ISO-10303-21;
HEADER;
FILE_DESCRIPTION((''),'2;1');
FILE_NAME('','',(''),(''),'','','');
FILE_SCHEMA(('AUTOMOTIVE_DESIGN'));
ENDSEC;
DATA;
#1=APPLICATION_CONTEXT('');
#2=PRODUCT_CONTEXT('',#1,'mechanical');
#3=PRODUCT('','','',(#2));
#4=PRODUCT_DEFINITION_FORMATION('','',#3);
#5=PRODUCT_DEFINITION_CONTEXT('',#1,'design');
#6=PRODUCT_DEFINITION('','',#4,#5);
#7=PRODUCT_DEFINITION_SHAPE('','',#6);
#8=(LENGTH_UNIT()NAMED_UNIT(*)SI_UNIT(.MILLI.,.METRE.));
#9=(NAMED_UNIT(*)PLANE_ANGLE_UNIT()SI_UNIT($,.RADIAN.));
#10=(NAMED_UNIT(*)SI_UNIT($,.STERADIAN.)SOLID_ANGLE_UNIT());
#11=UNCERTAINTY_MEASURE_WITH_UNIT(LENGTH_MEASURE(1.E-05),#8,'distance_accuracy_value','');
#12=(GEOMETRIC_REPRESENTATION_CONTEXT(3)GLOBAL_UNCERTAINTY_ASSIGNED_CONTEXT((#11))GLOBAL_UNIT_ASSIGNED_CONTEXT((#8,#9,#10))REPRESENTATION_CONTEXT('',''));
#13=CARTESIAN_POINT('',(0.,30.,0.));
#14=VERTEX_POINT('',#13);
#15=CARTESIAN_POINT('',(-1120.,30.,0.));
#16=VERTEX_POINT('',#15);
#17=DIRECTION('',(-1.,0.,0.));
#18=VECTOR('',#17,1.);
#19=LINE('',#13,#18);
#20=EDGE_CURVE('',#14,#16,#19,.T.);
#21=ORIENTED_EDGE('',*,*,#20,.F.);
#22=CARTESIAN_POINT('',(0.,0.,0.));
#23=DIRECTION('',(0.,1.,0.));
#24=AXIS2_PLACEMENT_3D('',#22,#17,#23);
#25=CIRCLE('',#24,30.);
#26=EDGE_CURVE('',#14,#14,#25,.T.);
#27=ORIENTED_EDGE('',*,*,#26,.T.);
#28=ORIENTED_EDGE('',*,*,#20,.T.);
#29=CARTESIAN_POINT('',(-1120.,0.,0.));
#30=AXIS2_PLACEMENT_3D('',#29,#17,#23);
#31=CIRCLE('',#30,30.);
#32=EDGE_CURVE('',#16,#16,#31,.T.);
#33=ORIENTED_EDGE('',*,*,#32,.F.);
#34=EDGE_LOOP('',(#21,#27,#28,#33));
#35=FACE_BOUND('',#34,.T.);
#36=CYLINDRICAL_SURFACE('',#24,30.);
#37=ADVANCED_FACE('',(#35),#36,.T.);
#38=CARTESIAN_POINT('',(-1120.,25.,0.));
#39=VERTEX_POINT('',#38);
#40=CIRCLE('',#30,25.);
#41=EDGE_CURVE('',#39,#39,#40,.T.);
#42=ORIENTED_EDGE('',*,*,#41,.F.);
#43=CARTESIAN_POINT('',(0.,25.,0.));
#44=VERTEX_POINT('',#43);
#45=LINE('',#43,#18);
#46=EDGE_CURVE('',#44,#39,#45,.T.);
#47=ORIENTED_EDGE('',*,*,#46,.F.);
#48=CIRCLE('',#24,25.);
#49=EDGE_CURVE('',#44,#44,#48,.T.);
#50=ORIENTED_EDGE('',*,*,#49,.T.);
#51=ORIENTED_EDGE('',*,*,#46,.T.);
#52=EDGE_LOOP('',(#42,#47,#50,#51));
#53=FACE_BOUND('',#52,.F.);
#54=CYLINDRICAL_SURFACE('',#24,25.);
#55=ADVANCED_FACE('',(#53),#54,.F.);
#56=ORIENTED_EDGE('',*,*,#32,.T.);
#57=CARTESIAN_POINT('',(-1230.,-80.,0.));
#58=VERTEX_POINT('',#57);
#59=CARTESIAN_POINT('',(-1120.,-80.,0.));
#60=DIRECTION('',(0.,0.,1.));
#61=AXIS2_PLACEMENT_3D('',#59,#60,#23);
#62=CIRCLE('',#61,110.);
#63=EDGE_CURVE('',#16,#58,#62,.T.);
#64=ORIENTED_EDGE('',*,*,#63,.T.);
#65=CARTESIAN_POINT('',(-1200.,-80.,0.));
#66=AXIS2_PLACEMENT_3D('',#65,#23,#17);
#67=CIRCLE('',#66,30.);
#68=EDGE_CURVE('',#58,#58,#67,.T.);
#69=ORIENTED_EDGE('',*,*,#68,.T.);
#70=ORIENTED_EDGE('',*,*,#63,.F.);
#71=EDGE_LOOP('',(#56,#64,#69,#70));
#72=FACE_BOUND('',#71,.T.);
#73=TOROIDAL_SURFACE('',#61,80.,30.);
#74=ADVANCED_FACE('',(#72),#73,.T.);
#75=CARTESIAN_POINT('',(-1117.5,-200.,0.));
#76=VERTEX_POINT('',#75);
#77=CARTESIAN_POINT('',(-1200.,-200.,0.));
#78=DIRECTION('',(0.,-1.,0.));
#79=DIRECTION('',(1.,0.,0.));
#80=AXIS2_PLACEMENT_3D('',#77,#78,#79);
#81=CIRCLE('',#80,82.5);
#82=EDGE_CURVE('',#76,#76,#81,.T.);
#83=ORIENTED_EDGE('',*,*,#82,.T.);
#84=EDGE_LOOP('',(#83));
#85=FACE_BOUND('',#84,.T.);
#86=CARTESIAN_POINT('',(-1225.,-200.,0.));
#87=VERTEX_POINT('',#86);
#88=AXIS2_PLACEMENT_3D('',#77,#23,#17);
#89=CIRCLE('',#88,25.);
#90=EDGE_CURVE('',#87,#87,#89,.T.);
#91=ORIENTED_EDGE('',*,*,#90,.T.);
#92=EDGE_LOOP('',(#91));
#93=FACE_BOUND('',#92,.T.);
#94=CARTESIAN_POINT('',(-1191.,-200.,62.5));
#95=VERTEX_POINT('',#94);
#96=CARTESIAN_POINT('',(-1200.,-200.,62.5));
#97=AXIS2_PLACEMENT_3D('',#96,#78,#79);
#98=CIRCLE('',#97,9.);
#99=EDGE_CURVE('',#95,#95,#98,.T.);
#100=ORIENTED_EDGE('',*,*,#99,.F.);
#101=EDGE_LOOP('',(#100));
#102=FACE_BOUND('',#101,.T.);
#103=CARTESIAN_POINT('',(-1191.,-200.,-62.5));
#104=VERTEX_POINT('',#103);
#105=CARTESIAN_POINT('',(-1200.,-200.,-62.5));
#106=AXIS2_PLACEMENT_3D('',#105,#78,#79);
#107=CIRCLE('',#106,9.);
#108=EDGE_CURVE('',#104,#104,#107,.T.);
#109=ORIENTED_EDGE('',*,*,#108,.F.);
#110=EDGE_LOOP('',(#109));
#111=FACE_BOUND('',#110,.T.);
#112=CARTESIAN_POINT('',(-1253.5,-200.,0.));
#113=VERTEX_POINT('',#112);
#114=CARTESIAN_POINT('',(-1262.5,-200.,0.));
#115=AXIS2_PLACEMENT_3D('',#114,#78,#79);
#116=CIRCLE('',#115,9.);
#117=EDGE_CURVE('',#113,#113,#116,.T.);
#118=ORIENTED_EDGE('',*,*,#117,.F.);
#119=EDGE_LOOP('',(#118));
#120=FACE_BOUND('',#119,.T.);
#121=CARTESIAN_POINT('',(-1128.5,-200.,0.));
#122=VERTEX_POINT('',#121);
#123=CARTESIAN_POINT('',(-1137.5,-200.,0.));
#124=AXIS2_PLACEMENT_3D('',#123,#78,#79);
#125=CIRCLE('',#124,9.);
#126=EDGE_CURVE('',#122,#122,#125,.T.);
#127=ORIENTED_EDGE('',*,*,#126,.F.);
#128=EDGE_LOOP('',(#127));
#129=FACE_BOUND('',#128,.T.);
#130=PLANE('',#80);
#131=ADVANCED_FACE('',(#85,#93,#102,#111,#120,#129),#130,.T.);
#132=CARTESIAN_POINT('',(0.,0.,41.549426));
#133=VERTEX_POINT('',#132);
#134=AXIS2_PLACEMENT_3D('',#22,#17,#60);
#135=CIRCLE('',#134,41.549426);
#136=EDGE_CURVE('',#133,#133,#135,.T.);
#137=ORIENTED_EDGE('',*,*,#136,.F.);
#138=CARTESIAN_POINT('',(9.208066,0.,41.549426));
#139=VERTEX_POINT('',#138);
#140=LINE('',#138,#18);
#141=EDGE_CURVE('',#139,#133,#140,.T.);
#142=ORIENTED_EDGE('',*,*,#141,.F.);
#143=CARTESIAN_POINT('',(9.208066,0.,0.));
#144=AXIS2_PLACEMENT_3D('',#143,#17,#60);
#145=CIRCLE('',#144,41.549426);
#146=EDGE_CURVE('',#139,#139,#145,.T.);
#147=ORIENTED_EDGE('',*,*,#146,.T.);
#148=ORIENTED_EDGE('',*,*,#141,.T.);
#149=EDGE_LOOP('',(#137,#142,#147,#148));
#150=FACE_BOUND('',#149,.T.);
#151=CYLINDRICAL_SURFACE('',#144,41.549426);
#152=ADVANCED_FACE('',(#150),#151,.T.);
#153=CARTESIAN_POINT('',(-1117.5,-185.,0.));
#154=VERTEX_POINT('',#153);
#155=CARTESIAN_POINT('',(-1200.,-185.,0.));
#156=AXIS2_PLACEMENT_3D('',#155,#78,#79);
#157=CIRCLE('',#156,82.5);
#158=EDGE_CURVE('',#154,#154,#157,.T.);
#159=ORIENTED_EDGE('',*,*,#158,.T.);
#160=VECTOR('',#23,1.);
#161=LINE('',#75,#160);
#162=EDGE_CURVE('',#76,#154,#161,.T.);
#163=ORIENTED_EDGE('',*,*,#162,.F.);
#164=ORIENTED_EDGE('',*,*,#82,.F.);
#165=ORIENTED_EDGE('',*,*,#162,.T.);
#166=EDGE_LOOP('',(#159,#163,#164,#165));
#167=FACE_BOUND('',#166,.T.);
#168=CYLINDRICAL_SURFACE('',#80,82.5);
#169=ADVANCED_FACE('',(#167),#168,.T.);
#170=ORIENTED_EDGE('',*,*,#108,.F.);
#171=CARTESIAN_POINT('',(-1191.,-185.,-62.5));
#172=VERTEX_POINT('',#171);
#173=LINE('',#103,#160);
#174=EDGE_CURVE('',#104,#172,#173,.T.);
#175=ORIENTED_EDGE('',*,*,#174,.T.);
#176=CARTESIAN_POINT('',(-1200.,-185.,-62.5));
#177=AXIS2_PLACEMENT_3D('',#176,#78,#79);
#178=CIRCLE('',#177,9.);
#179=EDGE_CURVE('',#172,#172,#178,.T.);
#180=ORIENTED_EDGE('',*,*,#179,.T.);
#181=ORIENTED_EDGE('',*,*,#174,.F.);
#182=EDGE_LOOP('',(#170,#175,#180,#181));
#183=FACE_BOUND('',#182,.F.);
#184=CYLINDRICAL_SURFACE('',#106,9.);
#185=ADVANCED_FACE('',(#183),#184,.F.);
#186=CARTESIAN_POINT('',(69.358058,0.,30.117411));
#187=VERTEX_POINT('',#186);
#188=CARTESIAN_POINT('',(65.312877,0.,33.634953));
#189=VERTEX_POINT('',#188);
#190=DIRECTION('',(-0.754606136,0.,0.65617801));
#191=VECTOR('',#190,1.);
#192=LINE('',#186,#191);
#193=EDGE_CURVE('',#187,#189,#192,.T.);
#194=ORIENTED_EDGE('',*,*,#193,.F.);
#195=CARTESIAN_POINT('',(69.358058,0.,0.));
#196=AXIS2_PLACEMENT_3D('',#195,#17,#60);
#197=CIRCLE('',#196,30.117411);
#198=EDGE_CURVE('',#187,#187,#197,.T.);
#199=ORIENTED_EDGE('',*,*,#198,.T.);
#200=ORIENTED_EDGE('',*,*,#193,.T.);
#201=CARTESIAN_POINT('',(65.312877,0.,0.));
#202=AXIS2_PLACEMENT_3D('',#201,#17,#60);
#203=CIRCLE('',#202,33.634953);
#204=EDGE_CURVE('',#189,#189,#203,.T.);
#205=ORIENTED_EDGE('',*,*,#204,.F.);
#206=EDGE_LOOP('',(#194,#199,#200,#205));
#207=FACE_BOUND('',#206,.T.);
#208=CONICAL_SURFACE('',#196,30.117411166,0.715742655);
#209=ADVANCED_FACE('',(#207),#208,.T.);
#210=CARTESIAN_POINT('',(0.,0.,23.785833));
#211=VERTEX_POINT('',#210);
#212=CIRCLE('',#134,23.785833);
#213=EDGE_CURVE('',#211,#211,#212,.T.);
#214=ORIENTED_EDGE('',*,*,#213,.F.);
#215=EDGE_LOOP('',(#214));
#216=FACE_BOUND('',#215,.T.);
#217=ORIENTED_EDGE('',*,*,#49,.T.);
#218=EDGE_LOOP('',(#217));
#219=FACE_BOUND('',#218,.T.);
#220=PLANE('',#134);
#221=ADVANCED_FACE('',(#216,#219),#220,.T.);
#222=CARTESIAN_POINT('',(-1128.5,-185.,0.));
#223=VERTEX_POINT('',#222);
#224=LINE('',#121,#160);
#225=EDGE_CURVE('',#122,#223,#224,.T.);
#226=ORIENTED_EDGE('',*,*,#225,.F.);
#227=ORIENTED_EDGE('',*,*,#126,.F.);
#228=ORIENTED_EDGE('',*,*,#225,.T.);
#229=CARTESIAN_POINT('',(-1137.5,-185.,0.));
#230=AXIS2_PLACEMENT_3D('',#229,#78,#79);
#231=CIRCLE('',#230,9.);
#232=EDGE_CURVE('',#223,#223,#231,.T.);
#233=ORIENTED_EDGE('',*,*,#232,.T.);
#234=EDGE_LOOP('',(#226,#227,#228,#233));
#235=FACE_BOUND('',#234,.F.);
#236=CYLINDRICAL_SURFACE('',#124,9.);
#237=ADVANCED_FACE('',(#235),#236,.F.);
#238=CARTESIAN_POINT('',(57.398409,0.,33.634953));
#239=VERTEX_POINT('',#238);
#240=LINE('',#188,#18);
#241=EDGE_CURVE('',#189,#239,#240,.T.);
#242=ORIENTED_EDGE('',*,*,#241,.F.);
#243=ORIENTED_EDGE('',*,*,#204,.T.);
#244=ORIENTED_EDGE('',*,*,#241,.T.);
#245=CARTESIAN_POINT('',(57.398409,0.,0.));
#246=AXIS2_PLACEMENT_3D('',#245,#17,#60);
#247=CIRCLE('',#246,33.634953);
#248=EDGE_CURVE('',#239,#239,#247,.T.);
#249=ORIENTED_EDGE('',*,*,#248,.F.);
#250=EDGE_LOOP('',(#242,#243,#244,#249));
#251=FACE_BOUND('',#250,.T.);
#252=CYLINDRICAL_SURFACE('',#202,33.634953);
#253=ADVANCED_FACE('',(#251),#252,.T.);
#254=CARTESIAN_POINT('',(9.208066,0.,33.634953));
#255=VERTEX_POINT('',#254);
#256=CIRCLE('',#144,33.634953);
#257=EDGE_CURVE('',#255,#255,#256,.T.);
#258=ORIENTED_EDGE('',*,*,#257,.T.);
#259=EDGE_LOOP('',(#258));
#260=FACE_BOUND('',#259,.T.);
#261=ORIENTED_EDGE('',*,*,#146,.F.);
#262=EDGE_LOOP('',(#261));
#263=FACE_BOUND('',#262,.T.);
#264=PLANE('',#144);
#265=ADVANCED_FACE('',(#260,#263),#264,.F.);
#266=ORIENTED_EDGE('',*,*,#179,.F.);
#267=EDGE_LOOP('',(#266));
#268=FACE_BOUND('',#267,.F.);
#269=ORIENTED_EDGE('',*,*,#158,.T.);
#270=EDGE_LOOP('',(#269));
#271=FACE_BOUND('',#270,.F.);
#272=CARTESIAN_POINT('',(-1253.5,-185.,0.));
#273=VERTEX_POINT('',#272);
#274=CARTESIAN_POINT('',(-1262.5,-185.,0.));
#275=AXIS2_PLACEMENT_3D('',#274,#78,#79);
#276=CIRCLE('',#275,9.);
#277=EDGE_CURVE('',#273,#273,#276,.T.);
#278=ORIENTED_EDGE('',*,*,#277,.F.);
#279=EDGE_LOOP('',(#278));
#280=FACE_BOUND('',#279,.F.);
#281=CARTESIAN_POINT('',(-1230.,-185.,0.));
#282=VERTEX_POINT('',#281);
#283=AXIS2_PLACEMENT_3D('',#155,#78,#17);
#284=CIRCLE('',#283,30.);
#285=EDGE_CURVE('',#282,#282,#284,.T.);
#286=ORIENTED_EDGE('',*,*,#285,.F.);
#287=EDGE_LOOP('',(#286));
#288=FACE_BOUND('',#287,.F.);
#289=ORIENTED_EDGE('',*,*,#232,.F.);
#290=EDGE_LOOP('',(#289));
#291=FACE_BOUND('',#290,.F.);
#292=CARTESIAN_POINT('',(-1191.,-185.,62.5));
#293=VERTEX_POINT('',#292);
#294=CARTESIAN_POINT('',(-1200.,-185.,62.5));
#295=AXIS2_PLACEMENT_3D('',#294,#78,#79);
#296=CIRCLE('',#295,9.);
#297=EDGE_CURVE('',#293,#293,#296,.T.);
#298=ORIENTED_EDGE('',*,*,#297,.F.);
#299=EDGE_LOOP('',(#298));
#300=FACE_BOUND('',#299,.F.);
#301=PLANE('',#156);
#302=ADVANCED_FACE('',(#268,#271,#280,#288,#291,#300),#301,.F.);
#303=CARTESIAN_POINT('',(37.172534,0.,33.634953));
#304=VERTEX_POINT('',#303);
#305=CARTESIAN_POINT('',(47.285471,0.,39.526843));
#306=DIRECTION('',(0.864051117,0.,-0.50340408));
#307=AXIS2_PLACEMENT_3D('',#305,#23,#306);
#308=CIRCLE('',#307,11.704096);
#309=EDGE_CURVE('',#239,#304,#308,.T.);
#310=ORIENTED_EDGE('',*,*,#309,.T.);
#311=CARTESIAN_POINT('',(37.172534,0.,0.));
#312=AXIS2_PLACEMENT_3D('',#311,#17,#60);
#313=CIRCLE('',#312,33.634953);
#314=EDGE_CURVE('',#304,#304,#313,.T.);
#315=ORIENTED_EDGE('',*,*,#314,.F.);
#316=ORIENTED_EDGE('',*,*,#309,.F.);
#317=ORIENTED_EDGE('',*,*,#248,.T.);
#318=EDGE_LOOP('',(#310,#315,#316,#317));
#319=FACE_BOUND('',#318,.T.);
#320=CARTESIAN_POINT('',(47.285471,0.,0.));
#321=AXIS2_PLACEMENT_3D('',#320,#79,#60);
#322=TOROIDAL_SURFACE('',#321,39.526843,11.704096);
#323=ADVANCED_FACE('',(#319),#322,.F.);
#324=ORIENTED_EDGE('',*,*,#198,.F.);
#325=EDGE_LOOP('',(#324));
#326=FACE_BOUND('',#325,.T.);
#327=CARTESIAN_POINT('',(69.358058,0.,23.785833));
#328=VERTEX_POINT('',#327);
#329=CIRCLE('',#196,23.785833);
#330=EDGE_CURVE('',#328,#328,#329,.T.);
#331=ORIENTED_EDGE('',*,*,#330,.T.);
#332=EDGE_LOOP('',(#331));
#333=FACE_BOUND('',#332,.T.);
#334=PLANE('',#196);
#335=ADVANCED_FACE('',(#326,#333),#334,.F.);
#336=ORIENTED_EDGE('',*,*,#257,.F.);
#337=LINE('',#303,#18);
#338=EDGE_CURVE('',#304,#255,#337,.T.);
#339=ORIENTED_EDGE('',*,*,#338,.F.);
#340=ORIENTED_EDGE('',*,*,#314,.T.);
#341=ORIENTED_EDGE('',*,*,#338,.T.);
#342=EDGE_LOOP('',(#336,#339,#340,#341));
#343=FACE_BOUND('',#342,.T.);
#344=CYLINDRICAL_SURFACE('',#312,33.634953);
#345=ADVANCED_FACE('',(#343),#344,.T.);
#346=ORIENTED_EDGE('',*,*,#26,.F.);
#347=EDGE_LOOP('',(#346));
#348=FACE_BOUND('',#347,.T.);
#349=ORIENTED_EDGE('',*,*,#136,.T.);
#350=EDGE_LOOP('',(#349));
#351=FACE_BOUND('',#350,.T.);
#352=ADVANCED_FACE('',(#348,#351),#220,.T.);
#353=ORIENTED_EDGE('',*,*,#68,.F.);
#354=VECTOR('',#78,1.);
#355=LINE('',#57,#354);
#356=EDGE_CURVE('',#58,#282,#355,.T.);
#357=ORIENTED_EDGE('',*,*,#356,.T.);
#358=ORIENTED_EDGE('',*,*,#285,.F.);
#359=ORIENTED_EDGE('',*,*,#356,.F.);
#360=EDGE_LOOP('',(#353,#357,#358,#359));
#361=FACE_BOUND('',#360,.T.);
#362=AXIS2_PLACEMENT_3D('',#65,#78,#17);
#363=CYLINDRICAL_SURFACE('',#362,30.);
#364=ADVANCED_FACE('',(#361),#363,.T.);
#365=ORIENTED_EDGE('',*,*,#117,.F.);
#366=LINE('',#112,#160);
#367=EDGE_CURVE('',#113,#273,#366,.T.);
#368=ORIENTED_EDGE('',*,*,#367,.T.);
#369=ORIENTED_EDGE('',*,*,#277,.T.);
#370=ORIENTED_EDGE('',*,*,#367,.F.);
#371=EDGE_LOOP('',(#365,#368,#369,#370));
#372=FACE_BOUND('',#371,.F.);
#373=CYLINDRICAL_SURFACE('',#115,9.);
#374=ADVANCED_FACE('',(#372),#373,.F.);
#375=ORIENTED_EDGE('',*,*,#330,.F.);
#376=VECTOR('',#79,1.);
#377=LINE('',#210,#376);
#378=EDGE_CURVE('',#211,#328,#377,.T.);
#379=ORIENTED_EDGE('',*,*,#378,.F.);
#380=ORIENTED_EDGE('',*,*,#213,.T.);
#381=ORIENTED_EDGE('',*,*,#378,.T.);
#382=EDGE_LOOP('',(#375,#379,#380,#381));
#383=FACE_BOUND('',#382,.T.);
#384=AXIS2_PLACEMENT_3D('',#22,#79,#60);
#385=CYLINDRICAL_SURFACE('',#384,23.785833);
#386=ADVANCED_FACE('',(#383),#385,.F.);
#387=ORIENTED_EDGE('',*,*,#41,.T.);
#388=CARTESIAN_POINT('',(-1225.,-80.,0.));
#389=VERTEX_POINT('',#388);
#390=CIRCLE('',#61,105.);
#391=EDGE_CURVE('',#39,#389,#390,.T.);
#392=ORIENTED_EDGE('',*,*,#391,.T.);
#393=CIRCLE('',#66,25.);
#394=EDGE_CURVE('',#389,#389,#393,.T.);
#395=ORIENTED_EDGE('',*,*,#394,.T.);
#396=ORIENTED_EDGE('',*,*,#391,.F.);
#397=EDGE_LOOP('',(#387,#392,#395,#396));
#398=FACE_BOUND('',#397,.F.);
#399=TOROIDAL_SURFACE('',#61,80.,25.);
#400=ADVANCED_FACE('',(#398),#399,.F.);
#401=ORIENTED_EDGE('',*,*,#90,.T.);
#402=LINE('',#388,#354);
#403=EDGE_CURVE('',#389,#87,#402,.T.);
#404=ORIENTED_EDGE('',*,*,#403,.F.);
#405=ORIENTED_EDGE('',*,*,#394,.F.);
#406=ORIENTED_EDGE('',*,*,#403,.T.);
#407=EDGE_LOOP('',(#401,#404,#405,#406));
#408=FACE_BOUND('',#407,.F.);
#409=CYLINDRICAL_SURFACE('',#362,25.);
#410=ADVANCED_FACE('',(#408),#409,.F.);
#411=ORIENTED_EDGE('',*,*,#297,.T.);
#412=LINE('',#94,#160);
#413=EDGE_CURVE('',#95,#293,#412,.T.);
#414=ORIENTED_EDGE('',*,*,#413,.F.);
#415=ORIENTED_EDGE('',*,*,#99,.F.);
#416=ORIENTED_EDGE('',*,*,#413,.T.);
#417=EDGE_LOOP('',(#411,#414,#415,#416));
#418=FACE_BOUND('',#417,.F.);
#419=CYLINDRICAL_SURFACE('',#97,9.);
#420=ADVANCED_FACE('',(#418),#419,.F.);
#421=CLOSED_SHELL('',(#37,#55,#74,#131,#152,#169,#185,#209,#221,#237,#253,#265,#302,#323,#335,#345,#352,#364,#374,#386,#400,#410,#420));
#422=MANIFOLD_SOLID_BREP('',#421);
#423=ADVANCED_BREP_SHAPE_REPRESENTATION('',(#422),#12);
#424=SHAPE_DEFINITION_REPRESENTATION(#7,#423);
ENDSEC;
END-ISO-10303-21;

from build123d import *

# Parameters (mm, degrees)
F1_R     = 30
F1_R_2   = 25
F3_R     = 82.5
F3_R_2   = 9
F3_R_3   = 25
F4_DEPTH = 15


with BuildPart() as f2:
    # F2: sweep along a path in F0
    with BuildLine(Plane.XY) as f2_path:
        Line((0, 0), (-1120, 0))
        ThreePointArc((-1120, 0), (-1176.5685424949, -23.4314575051), (-1200, -80))
        Line((-1200, -80), (-1200, -200))
    # F1 (on Right) → F2 (sweep)
    with BuildSketch(Plane.YZ):
        Circle(F1_R)
        Circle(F1_R_2, mode=Mode.SUBTRACT)
    sweep(path=f2_path.line)

    # F3 (on face) → F4 (join)
    with BuildSketch(Plane.XZ.offset(200)):
        with Locations((-1200, 0)):
            Circle(F3_R)
        with Locations((-1200, -62.5)):
            Circle(F3_R_2, mode=Mode.SUBTRACT)
        with Locations((-1262.5, 0)):
            Circle(F3_R_2, mode=Mode.SUBTRACT)
        with Locations((-1200, 0)):
            Circle(F3_R_3, mode=Mode.SUBTRACT)
        with Locations((-1137.5, 0)):
            Circle(F3_R_2, mode=Mode.SUBTRACT)
        with Locations((-1200, 62.5)):
            Circle(F3_R_2, mode=Mode.SUBTRACT)
    extrude(amount=-F4_DEPTH)

    # F5 (on Front) → F6 (revolve)
    with BuildSketch(Plane.XZ):
        with BuildLine():
            Line((0, 30), (0, 23.7858332694))
            Line((0, 23.7858332694), (69.3580582738, 23.7858332694))
            Line((69.3580582738, 23.7858332694), (69.3580582738, 30.1174111664))
            Line((69.3580582738, 30.1174111664), (65.3128772974, 33.6349532008))
            Line((65.3128772974, 33.6349532008), (57.3984086514, 33.6349532008))
            ThreePointArc((57.3984086514, 33.6349532008), (47.2854711115, 27.8227466971), (37.1725335717, 33.6349532008))
            Line((37.1725335717, 33.6349532008), (9.208066389, 33.6349532008))
            Line((9.208066389, 33.6349532008), (9.208066389, 41.5494255722))
            Line((9.208066389, 41.5494255722), (0, 41.5494255722))
            Line((0, 41.5494255722), (0, 30))
        make_face()
    revolve(axis=Axis((0, 0, 0), (-1, 0, 0)))


solid = f2.part
